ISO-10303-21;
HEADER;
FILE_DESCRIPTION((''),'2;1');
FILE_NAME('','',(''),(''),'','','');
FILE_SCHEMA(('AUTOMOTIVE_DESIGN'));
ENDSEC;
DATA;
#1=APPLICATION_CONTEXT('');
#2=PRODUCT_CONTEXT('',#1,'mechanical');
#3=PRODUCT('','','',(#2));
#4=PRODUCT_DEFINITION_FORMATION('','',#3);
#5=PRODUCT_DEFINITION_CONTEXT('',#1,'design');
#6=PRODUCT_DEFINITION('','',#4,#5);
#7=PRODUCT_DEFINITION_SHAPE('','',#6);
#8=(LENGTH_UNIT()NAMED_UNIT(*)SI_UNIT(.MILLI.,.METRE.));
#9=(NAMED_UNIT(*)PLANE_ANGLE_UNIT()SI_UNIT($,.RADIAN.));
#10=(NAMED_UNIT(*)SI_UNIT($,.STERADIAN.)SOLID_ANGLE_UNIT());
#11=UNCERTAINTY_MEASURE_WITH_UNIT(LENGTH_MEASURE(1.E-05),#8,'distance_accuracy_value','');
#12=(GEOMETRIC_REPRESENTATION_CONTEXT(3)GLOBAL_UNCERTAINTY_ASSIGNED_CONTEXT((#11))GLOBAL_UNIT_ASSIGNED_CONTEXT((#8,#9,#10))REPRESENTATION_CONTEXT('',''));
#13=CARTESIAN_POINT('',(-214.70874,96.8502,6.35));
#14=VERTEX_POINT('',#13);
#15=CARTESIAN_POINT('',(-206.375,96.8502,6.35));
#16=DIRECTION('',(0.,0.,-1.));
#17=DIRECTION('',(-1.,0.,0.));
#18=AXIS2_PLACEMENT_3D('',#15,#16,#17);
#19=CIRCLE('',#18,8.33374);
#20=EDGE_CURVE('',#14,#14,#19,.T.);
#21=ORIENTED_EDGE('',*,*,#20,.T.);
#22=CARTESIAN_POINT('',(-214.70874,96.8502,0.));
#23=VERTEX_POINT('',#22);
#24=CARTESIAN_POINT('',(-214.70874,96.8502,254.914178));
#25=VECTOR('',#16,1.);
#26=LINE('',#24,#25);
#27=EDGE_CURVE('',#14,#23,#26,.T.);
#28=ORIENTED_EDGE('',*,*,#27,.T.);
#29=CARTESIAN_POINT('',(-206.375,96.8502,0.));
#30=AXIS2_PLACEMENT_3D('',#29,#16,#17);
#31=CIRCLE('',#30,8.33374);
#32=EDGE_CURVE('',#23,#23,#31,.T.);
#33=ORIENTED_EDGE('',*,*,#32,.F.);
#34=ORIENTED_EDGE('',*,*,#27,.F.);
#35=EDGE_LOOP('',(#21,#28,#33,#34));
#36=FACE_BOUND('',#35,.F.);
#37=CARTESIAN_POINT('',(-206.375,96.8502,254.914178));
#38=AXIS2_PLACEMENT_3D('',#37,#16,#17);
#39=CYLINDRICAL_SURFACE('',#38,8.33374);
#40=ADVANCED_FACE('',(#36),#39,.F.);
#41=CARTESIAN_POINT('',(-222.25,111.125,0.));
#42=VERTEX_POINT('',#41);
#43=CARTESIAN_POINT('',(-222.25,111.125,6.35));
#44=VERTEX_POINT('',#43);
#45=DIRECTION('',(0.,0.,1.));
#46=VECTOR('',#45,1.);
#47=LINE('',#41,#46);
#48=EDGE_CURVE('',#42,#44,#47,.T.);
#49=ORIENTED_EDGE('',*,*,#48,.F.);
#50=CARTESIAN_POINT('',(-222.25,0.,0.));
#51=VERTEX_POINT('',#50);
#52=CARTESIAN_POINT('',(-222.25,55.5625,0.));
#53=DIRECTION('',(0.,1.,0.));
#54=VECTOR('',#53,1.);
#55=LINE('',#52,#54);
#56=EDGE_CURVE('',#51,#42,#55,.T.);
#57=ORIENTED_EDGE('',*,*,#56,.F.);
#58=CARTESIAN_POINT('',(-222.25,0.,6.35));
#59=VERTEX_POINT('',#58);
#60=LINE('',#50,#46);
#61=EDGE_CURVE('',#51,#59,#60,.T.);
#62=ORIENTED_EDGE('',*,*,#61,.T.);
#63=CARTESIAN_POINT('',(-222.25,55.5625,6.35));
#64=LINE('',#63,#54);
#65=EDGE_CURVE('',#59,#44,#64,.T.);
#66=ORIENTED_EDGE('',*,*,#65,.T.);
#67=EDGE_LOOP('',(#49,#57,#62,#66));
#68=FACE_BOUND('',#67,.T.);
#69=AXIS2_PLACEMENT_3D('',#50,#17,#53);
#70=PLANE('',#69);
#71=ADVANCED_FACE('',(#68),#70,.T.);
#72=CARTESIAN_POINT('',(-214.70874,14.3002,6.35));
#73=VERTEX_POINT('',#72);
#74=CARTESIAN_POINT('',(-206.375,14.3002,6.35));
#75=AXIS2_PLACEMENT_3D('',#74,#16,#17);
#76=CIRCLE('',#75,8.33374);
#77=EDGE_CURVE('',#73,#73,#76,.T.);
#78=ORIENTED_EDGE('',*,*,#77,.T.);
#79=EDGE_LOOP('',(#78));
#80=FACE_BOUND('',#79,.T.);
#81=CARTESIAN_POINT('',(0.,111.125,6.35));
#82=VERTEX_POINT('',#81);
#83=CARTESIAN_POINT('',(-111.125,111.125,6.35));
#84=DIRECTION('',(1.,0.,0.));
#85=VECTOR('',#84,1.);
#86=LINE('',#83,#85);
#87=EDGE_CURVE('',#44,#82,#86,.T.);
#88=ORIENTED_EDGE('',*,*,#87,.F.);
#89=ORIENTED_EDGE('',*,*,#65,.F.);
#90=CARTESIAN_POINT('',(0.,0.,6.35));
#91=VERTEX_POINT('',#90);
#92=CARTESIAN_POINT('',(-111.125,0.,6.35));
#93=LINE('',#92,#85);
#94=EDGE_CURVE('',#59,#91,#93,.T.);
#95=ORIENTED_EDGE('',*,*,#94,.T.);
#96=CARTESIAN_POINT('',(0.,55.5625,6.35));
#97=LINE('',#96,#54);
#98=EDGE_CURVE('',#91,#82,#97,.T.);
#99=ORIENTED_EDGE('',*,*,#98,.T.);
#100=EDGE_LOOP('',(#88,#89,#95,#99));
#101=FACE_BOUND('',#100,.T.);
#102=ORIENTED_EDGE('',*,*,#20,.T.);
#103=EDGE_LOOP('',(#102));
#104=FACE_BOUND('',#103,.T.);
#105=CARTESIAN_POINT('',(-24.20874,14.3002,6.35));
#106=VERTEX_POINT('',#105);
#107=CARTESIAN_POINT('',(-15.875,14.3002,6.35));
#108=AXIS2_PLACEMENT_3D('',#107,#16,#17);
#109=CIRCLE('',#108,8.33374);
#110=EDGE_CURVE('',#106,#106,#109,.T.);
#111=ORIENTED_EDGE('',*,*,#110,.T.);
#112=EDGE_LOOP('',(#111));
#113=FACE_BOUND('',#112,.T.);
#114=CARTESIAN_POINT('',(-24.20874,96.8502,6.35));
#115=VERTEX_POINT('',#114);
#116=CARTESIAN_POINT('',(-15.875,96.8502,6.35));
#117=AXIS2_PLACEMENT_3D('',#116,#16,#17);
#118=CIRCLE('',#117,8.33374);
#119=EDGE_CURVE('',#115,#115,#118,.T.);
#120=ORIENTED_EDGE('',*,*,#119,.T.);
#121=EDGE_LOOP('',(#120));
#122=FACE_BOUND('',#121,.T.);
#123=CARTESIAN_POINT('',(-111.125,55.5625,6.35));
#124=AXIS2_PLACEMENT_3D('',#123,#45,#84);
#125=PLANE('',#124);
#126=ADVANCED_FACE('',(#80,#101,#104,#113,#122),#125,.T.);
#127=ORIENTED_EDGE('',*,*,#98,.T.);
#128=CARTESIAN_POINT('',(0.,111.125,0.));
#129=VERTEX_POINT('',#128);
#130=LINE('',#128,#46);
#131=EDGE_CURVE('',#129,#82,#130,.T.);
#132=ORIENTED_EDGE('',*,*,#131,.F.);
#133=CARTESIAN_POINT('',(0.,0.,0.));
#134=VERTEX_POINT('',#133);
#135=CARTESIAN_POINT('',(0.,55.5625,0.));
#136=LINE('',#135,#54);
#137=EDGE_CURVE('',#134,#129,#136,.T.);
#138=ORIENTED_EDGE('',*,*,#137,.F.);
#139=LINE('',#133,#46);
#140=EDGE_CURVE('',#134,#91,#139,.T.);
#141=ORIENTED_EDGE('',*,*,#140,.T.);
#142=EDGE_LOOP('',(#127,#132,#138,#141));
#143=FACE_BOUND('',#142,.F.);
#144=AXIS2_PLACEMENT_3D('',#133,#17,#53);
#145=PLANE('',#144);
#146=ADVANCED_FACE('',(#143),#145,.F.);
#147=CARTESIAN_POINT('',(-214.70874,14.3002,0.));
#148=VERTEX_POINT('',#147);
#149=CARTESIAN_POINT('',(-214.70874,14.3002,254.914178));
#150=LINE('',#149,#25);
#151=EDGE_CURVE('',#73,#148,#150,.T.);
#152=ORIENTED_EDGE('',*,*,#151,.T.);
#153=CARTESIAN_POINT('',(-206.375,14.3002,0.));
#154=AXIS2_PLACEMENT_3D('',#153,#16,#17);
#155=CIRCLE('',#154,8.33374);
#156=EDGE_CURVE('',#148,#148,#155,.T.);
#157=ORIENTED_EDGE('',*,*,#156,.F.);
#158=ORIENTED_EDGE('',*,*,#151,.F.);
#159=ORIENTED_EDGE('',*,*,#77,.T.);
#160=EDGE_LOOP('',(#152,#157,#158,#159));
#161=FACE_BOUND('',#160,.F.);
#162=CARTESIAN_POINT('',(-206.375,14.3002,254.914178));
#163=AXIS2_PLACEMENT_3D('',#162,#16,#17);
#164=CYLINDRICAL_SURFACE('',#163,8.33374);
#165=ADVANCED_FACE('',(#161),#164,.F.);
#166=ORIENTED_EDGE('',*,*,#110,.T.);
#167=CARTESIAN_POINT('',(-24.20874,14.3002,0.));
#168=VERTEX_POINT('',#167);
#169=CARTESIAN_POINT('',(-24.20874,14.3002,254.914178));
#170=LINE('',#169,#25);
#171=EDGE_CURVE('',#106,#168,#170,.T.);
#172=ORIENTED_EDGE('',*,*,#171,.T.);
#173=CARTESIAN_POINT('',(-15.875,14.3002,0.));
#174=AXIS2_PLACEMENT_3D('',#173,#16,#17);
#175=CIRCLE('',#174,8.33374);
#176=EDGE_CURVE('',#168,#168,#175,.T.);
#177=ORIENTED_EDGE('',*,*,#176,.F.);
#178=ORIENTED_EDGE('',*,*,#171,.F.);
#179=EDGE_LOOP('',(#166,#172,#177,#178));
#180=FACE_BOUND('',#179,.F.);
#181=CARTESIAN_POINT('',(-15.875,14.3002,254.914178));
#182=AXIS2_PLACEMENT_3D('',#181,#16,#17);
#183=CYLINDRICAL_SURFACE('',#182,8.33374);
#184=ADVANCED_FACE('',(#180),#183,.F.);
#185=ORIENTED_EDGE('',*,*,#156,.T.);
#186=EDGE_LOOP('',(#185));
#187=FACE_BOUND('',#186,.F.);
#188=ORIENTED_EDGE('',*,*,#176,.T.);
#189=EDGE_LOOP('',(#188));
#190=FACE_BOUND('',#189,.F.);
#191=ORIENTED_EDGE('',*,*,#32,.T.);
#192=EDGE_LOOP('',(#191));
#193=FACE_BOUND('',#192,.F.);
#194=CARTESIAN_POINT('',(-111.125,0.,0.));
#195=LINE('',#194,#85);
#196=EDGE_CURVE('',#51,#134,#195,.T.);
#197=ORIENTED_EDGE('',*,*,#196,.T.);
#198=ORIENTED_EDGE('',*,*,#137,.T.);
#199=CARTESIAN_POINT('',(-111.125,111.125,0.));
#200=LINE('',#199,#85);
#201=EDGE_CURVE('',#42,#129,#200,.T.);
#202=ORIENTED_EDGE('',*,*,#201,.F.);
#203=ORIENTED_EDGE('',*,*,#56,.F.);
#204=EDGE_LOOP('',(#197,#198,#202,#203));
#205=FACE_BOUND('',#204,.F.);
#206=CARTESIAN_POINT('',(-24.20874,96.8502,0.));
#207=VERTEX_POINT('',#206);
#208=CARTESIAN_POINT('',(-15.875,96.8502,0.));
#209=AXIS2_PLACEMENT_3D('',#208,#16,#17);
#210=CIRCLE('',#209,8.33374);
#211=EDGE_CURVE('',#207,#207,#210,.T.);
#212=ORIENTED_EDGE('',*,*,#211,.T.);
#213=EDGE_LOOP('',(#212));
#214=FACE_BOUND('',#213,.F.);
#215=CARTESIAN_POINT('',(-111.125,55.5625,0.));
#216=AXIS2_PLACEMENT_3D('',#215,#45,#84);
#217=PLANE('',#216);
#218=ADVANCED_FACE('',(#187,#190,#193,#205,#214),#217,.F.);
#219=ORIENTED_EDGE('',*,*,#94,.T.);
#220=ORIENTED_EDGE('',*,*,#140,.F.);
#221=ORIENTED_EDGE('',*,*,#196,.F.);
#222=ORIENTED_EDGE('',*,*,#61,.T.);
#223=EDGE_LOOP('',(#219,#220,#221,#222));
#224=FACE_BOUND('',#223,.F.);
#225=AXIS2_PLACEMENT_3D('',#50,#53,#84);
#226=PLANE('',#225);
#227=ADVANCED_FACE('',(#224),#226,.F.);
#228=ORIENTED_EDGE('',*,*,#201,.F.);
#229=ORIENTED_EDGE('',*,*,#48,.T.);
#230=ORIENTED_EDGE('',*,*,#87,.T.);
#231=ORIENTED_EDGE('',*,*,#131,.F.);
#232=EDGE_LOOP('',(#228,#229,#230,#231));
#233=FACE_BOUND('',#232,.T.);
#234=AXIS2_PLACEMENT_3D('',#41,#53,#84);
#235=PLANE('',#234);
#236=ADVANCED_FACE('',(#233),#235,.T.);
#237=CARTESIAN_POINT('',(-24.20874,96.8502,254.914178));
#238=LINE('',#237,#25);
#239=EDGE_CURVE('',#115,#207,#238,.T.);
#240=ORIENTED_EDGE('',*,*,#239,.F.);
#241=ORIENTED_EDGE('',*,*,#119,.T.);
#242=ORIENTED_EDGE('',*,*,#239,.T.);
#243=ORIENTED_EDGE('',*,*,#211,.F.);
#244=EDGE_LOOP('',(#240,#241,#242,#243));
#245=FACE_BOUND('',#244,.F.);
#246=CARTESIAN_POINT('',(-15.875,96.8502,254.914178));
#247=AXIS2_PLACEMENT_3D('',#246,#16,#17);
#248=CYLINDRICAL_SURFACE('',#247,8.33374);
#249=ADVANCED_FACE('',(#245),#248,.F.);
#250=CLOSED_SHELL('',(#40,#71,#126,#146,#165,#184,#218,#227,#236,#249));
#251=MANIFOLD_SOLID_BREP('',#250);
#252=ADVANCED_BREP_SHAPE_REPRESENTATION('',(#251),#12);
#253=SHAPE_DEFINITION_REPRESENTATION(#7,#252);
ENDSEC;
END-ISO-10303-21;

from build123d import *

# Parameters (mm, degrees)
F0_W     = 222.25
F0_H     = 111.125
F1_DEPTH = 6.35
F3_D     = 16.66748


with BuildPart() as f1:
    # F0 (on Top) → F1 (new body)
    with BuildSketch(Plane.XY):
        with Locations((-111.125, 55.5625)):
            Rectangle(F0_W, F0_H)
    extrude(amount=F1_DEPTH)

    # F3 (through all)
    with Locations(Plane.XY.offset(6.35)):
        with Locations((-206.375, 96.8502), (-15.875, 96.8502), (-15.875, 14.3002), (-206.375, 14.3002)):
            Hole(F3_D / 2)


solid = f1.part
